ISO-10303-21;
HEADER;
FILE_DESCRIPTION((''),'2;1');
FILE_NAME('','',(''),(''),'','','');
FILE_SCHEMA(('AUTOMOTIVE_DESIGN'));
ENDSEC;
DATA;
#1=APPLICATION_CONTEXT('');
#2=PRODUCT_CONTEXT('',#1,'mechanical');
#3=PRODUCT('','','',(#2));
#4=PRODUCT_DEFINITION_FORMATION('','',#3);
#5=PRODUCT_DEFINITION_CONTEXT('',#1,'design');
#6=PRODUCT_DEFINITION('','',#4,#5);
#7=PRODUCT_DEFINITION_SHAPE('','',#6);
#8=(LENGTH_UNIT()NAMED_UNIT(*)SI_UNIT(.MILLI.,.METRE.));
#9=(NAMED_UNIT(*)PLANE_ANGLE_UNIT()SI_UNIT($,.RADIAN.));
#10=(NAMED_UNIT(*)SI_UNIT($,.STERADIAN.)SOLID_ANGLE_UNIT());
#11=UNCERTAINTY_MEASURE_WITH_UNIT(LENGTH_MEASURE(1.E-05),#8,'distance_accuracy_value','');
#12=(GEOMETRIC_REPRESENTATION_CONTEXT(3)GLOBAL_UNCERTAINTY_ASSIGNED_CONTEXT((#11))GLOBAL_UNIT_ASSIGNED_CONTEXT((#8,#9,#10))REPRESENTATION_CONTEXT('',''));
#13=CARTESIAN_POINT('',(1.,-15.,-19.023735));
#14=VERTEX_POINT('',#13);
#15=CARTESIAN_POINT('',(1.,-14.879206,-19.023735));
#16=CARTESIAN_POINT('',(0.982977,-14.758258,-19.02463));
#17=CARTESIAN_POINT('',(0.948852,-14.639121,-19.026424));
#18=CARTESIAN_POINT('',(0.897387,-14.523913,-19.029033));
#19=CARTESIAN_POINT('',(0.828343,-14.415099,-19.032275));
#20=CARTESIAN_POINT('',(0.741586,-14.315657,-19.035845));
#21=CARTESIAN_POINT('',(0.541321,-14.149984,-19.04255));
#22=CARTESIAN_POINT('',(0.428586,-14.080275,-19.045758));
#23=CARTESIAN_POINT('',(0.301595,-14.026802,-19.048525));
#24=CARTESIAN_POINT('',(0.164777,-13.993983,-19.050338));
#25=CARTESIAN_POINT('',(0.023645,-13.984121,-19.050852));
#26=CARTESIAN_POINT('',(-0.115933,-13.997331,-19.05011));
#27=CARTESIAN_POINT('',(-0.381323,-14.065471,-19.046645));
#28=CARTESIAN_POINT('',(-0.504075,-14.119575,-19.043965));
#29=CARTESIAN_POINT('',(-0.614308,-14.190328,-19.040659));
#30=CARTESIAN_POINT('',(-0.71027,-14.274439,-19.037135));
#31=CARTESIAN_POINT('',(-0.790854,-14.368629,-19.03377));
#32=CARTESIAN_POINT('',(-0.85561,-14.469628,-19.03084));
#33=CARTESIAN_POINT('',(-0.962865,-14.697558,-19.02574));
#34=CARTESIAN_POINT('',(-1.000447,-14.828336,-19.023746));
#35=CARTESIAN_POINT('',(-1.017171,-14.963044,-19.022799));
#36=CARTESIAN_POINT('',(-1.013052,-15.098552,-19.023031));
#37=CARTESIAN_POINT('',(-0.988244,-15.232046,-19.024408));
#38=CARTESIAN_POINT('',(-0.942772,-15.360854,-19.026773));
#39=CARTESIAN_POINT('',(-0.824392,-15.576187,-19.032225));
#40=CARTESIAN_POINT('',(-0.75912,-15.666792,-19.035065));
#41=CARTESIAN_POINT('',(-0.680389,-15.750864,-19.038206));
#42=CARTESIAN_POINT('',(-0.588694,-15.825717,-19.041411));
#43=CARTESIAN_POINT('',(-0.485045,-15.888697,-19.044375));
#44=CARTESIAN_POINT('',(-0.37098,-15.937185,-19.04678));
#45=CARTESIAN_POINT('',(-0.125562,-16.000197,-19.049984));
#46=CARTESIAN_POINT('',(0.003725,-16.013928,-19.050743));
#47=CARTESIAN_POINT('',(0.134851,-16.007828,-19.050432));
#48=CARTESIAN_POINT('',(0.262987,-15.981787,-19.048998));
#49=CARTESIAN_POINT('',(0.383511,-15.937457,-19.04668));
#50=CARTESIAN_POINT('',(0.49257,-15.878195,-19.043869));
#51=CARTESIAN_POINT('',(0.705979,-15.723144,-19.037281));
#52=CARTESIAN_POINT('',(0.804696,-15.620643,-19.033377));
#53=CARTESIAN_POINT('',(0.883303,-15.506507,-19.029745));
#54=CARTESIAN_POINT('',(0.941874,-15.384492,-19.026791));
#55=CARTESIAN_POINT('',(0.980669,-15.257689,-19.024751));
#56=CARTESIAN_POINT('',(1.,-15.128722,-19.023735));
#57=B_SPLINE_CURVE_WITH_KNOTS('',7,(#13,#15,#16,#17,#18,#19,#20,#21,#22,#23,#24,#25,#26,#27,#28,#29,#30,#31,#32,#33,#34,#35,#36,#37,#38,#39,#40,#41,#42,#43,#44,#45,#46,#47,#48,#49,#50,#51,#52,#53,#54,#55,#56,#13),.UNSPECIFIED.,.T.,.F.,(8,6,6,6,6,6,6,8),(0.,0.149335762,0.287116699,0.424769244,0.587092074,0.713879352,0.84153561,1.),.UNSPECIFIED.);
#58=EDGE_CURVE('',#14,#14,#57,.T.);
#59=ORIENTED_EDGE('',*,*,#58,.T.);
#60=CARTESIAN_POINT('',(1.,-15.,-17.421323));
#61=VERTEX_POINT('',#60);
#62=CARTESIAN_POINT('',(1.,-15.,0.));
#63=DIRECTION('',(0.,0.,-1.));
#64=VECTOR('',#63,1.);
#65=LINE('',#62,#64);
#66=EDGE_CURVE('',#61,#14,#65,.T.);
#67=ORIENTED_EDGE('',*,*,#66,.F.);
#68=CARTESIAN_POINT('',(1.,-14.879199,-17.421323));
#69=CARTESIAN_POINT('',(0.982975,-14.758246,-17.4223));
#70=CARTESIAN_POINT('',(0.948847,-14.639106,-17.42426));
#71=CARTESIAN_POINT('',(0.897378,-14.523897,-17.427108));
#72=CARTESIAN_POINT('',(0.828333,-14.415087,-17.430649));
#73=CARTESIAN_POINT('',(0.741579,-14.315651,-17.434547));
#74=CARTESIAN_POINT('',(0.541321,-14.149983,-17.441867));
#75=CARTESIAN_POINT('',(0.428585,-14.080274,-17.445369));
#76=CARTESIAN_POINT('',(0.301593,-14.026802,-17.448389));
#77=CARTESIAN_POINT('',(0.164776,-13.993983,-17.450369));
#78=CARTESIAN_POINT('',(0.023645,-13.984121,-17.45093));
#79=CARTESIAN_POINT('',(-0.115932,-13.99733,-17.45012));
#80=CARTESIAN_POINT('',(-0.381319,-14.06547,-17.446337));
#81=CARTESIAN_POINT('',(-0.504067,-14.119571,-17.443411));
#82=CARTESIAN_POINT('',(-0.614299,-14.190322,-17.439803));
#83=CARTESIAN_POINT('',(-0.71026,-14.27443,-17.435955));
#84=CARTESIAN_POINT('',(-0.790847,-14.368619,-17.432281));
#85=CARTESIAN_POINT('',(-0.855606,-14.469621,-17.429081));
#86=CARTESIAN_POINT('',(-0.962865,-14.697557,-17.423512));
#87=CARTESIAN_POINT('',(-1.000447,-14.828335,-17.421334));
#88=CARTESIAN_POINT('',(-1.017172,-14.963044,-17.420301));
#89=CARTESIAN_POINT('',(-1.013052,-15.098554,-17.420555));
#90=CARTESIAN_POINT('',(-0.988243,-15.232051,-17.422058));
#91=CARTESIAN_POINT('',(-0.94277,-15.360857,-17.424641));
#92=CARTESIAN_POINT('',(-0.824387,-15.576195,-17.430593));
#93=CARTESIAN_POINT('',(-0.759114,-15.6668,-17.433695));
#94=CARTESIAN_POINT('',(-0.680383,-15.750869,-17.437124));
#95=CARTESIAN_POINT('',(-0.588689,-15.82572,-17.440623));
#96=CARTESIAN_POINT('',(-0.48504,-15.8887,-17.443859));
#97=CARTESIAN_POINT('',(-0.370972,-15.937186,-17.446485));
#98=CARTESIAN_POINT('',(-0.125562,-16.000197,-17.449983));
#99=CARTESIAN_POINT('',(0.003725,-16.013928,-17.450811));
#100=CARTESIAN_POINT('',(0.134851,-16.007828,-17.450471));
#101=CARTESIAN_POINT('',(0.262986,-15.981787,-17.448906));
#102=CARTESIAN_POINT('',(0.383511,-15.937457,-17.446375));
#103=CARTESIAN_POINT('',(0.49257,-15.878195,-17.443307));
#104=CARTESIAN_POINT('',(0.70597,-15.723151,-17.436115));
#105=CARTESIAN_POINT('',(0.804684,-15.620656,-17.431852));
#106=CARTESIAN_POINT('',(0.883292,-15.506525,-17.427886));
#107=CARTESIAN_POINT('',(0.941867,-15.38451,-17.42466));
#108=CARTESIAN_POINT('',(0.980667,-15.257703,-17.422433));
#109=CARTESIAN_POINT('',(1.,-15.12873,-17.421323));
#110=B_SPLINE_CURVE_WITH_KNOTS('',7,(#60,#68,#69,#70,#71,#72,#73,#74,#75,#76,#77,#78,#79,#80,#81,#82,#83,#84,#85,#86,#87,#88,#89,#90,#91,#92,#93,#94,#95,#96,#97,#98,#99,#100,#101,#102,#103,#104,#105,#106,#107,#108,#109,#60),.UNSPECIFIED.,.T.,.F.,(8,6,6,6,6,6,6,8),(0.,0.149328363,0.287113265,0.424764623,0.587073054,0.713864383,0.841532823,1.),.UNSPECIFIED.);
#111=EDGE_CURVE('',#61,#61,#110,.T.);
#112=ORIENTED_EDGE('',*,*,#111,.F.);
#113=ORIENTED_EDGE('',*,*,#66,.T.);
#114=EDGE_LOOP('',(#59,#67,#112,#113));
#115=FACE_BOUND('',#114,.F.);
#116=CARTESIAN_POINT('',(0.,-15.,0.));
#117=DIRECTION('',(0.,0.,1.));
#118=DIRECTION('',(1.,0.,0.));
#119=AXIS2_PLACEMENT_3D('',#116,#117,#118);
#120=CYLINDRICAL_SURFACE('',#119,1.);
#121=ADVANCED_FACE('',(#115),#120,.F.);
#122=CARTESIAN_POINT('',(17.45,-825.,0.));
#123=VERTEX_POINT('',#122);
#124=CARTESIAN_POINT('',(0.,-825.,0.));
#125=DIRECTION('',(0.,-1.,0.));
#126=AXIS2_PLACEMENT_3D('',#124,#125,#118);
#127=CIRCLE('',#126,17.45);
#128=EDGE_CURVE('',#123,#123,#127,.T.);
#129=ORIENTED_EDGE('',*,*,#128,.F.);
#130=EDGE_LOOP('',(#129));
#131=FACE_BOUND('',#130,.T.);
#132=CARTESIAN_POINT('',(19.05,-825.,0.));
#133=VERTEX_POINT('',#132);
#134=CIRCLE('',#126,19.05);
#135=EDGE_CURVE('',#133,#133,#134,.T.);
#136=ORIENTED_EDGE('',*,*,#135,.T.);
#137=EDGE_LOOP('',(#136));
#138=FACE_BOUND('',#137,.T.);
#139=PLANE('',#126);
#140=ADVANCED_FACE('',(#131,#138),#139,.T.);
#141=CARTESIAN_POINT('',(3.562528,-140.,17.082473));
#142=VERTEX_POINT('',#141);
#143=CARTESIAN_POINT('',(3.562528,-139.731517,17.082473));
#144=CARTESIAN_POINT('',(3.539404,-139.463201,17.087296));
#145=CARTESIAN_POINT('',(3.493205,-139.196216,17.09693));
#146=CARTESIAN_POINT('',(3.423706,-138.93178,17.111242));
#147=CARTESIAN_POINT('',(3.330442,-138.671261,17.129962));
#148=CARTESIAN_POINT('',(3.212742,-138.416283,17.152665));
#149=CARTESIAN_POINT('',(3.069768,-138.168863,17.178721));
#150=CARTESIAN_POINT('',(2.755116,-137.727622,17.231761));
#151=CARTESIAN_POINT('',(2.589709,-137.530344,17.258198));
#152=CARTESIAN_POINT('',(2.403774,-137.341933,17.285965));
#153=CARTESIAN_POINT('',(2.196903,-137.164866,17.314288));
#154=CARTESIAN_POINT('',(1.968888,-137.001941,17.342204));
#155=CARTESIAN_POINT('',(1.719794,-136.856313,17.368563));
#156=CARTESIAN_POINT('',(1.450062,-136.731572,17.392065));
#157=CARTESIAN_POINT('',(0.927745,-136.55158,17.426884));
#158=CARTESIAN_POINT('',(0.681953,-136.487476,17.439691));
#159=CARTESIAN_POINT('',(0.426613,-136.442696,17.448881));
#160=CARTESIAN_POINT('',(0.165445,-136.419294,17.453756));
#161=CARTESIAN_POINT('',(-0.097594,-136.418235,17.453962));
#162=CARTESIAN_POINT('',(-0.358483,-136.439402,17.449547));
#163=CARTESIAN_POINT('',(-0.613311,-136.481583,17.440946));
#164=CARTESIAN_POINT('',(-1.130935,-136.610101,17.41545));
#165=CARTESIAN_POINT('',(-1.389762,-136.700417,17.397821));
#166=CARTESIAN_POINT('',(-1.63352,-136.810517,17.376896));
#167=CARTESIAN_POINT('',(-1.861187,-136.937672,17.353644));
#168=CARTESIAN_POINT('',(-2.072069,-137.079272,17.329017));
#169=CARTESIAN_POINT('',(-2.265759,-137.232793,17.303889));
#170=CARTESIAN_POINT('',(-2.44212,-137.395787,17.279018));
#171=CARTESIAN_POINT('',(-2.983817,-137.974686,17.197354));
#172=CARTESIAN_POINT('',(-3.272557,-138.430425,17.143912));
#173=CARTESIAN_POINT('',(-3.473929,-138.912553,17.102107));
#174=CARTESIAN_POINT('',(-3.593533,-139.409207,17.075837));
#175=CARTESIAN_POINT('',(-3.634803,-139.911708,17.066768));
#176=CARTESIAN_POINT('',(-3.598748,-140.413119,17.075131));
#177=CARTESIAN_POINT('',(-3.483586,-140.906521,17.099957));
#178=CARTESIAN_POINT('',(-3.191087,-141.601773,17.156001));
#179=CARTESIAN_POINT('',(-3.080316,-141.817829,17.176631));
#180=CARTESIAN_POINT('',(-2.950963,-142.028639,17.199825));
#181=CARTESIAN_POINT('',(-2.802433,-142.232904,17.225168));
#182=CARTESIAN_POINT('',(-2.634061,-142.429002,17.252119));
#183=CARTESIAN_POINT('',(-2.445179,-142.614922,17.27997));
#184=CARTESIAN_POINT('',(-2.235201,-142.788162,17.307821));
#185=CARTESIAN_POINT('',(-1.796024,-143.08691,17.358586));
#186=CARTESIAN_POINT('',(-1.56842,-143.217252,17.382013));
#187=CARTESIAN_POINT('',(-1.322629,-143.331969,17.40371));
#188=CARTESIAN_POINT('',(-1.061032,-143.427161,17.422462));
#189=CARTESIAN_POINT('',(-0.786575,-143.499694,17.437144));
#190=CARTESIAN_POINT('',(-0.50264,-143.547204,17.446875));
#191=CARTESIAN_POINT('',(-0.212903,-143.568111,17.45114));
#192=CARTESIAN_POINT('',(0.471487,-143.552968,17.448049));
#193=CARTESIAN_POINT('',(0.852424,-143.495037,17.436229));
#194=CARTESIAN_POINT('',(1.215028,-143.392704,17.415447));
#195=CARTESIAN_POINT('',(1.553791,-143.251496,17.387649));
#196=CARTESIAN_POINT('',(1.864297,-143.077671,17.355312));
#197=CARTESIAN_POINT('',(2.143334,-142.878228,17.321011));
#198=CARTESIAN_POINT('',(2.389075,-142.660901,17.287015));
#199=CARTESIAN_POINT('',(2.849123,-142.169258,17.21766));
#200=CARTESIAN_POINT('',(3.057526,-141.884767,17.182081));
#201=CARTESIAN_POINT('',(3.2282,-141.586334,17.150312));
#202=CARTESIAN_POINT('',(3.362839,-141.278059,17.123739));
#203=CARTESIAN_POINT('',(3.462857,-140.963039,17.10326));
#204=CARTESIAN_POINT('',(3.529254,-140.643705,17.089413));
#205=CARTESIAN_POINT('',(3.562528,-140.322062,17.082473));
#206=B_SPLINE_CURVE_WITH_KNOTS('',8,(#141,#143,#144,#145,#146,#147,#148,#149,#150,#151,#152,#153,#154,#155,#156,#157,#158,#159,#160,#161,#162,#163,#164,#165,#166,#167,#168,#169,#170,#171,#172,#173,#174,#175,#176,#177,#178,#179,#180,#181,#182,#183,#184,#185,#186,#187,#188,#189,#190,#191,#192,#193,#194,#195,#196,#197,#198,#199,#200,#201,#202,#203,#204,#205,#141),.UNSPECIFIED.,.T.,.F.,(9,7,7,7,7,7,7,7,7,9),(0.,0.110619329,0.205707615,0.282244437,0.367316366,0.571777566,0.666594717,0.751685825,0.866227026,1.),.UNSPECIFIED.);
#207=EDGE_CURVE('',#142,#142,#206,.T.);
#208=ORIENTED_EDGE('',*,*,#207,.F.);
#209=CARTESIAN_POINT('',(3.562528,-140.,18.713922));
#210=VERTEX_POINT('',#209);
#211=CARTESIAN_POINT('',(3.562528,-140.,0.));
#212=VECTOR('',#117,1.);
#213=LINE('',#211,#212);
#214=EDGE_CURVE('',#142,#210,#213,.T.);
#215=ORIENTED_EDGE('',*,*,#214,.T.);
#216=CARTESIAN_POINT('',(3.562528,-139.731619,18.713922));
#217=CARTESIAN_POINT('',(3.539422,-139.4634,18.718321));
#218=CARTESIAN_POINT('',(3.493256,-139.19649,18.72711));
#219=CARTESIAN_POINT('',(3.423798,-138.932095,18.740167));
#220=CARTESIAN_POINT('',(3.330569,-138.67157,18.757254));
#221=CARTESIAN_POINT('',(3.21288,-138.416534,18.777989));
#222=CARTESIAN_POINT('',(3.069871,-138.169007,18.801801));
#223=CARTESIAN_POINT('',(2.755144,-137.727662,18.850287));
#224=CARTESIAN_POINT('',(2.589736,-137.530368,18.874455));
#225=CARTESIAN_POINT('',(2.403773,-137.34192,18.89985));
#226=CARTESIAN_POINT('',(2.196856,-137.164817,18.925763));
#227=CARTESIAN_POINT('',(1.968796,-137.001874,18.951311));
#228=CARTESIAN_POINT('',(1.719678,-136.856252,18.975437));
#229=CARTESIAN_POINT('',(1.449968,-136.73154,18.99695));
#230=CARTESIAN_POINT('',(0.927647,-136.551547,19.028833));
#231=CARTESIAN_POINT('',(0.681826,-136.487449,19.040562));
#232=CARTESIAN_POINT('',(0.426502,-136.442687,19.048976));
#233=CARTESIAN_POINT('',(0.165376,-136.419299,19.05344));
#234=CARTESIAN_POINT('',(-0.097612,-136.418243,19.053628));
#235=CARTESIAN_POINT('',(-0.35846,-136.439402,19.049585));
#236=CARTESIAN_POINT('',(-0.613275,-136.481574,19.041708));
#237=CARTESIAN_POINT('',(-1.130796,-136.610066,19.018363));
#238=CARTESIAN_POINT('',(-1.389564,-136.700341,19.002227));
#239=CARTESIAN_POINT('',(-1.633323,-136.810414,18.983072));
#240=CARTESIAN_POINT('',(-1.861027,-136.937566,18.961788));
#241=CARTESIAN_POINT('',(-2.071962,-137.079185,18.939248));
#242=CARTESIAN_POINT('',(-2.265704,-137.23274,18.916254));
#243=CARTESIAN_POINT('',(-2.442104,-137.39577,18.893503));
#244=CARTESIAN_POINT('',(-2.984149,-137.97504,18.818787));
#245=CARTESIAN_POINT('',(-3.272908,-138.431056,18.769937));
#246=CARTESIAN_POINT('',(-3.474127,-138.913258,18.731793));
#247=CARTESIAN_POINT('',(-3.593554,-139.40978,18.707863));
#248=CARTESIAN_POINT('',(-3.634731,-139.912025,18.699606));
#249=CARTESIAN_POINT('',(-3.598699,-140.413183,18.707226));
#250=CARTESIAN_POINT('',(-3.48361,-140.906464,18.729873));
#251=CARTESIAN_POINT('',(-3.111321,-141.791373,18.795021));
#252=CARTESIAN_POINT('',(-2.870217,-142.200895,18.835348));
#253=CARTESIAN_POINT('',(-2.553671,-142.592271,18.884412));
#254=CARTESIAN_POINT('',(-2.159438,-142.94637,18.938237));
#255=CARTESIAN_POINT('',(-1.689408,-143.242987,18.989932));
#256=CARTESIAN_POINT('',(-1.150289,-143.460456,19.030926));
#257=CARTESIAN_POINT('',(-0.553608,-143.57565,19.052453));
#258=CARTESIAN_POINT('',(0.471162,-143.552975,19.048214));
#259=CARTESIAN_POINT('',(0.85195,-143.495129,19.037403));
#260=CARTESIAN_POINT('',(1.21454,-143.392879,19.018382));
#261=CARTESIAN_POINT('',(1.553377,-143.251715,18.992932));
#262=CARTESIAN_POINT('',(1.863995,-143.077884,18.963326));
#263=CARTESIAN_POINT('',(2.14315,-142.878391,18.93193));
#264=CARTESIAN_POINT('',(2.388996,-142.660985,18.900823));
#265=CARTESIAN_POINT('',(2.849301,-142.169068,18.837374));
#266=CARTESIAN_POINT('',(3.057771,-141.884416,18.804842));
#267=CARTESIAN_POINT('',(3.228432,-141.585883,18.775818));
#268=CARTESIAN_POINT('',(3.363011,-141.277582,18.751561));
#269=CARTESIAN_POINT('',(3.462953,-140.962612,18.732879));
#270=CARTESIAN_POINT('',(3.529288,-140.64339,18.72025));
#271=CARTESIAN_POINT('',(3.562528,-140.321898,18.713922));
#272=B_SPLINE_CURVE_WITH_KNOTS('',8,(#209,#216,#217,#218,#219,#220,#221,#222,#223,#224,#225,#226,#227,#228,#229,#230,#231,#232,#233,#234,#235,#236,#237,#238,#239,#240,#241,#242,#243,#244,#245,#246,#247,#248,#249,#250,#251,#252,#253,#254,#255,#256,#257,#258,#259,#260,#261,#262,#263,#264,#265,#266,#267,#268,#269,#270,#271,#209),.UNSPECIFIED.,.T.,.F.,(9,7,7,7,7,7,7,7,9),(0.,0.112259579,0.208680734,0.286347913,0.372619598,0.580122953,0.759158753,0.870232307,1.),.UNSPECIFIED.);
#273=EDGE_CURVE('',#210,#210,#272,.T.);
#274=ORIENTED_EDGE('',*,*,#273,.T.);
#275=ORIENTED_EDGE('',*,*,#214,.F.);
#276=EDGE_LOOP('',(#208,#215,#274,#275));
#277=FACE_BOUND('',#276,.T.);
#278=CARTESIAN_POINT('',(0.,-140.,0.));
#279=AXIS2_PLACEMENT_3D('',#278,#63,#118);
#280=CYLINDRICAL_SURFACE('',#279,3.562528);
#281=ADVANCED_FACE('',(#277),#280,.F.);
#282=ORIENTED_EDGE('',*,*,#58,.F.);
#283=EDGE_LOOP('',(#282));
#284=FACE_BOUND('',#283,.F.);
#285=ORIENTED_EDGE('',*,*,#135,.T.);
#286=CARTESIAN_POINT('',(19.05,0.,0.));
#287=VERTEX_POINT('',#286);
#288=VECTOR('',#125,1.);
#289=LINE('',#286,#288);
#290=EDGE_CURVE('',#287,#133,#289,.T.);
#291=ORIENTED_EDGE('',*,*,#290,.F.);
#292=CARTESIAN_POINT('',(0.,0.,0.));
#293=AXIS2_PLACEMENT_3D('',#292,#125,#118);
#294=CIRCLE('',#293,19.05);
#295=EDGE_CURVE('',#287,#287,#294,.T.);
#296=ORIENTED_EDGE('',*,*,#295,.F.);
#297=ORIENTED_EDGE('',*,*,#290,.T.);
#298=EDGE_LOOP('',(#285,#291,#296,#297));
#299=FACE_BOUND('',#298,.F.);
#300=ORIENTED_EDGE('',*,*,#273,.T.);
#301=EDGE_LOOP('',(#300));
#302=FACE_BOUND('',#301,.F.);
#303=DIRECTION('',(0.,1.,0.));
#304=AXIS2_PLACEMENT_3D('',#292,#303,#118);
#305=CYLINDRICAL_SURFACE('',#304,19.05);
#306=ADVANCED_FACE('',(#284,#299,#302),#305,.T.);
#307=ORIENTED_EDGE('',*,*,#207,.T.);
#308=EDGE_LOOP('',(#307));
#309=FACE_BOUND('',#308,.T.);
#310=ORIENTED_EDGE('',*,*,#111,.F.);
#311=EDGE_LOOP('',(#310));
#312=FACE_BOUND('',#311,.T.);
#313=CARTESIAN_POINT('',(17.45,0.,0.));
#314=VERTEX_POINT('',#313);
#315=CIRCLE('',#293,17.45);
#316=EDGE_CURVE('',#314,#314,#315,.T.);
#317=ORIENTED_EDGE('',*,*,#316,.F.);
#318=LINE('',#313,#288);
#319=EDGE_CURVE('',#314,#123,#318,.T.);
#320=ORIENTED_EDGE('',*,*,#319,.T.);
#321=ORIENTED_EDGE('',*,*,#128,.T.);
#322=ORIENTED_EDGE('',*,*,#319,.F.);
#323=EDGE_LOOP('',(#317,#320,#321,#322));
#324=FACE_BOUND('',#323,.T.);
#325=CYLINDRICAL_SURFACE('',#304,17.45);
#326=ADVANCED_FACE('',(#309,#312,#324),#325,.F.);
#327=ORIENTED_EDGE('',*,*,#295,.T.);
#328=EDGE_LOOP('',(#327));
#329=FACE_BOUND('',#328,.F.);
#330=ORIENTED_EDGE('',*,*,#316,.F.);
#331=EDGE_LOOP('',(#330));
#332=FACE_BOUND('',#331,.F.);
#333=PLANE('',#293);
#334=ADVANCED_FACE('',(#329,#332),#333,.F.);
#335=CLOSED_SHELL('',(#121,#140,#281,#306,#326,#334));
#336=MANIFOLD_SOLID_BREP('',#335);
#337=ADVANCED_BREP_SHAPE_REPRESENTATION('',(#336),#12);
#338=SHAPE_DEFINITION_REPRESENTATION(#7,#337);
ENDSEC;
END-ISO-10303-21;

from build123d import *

# Parameters (mm, degrees)
F0_R     = 19.05
F0_R_2   = 17.45
F1_DEPTH = 825
F2_R     = 3.5625283299
F3_DEPTH = 20.050000094
F4_R     = 1
F5_DEPTH = 20.050000107


with BuildPart() as f1:
    # F0 (on Front) → F1 (new body)
    with BuildSketch(Plane.XZ):
        Circle(F0_R)
        Circle(F0_R_2, mode=Mode.SUBTRACT)
    extrude(amount=F1_DEPTH)

    # F2 (on Top) → F3 (cut, up to face)
    with BuildSketch(Plane.XY):
        with Locations((0, -140)):
            Circle(F2_R)
    extrude(amount=F3_DEPTH, mode=Mode.SUBTRACT)

    # F4 (on Top) → F5 (cut, up to face)
    with BuildSketch(Plane.XY):
        with Locations((0, -15)):
            Circle(F4_R)
    extrude(amount=-F5_DEPTH, mode=Mode.SUBTRACT)


solid = f1.part
